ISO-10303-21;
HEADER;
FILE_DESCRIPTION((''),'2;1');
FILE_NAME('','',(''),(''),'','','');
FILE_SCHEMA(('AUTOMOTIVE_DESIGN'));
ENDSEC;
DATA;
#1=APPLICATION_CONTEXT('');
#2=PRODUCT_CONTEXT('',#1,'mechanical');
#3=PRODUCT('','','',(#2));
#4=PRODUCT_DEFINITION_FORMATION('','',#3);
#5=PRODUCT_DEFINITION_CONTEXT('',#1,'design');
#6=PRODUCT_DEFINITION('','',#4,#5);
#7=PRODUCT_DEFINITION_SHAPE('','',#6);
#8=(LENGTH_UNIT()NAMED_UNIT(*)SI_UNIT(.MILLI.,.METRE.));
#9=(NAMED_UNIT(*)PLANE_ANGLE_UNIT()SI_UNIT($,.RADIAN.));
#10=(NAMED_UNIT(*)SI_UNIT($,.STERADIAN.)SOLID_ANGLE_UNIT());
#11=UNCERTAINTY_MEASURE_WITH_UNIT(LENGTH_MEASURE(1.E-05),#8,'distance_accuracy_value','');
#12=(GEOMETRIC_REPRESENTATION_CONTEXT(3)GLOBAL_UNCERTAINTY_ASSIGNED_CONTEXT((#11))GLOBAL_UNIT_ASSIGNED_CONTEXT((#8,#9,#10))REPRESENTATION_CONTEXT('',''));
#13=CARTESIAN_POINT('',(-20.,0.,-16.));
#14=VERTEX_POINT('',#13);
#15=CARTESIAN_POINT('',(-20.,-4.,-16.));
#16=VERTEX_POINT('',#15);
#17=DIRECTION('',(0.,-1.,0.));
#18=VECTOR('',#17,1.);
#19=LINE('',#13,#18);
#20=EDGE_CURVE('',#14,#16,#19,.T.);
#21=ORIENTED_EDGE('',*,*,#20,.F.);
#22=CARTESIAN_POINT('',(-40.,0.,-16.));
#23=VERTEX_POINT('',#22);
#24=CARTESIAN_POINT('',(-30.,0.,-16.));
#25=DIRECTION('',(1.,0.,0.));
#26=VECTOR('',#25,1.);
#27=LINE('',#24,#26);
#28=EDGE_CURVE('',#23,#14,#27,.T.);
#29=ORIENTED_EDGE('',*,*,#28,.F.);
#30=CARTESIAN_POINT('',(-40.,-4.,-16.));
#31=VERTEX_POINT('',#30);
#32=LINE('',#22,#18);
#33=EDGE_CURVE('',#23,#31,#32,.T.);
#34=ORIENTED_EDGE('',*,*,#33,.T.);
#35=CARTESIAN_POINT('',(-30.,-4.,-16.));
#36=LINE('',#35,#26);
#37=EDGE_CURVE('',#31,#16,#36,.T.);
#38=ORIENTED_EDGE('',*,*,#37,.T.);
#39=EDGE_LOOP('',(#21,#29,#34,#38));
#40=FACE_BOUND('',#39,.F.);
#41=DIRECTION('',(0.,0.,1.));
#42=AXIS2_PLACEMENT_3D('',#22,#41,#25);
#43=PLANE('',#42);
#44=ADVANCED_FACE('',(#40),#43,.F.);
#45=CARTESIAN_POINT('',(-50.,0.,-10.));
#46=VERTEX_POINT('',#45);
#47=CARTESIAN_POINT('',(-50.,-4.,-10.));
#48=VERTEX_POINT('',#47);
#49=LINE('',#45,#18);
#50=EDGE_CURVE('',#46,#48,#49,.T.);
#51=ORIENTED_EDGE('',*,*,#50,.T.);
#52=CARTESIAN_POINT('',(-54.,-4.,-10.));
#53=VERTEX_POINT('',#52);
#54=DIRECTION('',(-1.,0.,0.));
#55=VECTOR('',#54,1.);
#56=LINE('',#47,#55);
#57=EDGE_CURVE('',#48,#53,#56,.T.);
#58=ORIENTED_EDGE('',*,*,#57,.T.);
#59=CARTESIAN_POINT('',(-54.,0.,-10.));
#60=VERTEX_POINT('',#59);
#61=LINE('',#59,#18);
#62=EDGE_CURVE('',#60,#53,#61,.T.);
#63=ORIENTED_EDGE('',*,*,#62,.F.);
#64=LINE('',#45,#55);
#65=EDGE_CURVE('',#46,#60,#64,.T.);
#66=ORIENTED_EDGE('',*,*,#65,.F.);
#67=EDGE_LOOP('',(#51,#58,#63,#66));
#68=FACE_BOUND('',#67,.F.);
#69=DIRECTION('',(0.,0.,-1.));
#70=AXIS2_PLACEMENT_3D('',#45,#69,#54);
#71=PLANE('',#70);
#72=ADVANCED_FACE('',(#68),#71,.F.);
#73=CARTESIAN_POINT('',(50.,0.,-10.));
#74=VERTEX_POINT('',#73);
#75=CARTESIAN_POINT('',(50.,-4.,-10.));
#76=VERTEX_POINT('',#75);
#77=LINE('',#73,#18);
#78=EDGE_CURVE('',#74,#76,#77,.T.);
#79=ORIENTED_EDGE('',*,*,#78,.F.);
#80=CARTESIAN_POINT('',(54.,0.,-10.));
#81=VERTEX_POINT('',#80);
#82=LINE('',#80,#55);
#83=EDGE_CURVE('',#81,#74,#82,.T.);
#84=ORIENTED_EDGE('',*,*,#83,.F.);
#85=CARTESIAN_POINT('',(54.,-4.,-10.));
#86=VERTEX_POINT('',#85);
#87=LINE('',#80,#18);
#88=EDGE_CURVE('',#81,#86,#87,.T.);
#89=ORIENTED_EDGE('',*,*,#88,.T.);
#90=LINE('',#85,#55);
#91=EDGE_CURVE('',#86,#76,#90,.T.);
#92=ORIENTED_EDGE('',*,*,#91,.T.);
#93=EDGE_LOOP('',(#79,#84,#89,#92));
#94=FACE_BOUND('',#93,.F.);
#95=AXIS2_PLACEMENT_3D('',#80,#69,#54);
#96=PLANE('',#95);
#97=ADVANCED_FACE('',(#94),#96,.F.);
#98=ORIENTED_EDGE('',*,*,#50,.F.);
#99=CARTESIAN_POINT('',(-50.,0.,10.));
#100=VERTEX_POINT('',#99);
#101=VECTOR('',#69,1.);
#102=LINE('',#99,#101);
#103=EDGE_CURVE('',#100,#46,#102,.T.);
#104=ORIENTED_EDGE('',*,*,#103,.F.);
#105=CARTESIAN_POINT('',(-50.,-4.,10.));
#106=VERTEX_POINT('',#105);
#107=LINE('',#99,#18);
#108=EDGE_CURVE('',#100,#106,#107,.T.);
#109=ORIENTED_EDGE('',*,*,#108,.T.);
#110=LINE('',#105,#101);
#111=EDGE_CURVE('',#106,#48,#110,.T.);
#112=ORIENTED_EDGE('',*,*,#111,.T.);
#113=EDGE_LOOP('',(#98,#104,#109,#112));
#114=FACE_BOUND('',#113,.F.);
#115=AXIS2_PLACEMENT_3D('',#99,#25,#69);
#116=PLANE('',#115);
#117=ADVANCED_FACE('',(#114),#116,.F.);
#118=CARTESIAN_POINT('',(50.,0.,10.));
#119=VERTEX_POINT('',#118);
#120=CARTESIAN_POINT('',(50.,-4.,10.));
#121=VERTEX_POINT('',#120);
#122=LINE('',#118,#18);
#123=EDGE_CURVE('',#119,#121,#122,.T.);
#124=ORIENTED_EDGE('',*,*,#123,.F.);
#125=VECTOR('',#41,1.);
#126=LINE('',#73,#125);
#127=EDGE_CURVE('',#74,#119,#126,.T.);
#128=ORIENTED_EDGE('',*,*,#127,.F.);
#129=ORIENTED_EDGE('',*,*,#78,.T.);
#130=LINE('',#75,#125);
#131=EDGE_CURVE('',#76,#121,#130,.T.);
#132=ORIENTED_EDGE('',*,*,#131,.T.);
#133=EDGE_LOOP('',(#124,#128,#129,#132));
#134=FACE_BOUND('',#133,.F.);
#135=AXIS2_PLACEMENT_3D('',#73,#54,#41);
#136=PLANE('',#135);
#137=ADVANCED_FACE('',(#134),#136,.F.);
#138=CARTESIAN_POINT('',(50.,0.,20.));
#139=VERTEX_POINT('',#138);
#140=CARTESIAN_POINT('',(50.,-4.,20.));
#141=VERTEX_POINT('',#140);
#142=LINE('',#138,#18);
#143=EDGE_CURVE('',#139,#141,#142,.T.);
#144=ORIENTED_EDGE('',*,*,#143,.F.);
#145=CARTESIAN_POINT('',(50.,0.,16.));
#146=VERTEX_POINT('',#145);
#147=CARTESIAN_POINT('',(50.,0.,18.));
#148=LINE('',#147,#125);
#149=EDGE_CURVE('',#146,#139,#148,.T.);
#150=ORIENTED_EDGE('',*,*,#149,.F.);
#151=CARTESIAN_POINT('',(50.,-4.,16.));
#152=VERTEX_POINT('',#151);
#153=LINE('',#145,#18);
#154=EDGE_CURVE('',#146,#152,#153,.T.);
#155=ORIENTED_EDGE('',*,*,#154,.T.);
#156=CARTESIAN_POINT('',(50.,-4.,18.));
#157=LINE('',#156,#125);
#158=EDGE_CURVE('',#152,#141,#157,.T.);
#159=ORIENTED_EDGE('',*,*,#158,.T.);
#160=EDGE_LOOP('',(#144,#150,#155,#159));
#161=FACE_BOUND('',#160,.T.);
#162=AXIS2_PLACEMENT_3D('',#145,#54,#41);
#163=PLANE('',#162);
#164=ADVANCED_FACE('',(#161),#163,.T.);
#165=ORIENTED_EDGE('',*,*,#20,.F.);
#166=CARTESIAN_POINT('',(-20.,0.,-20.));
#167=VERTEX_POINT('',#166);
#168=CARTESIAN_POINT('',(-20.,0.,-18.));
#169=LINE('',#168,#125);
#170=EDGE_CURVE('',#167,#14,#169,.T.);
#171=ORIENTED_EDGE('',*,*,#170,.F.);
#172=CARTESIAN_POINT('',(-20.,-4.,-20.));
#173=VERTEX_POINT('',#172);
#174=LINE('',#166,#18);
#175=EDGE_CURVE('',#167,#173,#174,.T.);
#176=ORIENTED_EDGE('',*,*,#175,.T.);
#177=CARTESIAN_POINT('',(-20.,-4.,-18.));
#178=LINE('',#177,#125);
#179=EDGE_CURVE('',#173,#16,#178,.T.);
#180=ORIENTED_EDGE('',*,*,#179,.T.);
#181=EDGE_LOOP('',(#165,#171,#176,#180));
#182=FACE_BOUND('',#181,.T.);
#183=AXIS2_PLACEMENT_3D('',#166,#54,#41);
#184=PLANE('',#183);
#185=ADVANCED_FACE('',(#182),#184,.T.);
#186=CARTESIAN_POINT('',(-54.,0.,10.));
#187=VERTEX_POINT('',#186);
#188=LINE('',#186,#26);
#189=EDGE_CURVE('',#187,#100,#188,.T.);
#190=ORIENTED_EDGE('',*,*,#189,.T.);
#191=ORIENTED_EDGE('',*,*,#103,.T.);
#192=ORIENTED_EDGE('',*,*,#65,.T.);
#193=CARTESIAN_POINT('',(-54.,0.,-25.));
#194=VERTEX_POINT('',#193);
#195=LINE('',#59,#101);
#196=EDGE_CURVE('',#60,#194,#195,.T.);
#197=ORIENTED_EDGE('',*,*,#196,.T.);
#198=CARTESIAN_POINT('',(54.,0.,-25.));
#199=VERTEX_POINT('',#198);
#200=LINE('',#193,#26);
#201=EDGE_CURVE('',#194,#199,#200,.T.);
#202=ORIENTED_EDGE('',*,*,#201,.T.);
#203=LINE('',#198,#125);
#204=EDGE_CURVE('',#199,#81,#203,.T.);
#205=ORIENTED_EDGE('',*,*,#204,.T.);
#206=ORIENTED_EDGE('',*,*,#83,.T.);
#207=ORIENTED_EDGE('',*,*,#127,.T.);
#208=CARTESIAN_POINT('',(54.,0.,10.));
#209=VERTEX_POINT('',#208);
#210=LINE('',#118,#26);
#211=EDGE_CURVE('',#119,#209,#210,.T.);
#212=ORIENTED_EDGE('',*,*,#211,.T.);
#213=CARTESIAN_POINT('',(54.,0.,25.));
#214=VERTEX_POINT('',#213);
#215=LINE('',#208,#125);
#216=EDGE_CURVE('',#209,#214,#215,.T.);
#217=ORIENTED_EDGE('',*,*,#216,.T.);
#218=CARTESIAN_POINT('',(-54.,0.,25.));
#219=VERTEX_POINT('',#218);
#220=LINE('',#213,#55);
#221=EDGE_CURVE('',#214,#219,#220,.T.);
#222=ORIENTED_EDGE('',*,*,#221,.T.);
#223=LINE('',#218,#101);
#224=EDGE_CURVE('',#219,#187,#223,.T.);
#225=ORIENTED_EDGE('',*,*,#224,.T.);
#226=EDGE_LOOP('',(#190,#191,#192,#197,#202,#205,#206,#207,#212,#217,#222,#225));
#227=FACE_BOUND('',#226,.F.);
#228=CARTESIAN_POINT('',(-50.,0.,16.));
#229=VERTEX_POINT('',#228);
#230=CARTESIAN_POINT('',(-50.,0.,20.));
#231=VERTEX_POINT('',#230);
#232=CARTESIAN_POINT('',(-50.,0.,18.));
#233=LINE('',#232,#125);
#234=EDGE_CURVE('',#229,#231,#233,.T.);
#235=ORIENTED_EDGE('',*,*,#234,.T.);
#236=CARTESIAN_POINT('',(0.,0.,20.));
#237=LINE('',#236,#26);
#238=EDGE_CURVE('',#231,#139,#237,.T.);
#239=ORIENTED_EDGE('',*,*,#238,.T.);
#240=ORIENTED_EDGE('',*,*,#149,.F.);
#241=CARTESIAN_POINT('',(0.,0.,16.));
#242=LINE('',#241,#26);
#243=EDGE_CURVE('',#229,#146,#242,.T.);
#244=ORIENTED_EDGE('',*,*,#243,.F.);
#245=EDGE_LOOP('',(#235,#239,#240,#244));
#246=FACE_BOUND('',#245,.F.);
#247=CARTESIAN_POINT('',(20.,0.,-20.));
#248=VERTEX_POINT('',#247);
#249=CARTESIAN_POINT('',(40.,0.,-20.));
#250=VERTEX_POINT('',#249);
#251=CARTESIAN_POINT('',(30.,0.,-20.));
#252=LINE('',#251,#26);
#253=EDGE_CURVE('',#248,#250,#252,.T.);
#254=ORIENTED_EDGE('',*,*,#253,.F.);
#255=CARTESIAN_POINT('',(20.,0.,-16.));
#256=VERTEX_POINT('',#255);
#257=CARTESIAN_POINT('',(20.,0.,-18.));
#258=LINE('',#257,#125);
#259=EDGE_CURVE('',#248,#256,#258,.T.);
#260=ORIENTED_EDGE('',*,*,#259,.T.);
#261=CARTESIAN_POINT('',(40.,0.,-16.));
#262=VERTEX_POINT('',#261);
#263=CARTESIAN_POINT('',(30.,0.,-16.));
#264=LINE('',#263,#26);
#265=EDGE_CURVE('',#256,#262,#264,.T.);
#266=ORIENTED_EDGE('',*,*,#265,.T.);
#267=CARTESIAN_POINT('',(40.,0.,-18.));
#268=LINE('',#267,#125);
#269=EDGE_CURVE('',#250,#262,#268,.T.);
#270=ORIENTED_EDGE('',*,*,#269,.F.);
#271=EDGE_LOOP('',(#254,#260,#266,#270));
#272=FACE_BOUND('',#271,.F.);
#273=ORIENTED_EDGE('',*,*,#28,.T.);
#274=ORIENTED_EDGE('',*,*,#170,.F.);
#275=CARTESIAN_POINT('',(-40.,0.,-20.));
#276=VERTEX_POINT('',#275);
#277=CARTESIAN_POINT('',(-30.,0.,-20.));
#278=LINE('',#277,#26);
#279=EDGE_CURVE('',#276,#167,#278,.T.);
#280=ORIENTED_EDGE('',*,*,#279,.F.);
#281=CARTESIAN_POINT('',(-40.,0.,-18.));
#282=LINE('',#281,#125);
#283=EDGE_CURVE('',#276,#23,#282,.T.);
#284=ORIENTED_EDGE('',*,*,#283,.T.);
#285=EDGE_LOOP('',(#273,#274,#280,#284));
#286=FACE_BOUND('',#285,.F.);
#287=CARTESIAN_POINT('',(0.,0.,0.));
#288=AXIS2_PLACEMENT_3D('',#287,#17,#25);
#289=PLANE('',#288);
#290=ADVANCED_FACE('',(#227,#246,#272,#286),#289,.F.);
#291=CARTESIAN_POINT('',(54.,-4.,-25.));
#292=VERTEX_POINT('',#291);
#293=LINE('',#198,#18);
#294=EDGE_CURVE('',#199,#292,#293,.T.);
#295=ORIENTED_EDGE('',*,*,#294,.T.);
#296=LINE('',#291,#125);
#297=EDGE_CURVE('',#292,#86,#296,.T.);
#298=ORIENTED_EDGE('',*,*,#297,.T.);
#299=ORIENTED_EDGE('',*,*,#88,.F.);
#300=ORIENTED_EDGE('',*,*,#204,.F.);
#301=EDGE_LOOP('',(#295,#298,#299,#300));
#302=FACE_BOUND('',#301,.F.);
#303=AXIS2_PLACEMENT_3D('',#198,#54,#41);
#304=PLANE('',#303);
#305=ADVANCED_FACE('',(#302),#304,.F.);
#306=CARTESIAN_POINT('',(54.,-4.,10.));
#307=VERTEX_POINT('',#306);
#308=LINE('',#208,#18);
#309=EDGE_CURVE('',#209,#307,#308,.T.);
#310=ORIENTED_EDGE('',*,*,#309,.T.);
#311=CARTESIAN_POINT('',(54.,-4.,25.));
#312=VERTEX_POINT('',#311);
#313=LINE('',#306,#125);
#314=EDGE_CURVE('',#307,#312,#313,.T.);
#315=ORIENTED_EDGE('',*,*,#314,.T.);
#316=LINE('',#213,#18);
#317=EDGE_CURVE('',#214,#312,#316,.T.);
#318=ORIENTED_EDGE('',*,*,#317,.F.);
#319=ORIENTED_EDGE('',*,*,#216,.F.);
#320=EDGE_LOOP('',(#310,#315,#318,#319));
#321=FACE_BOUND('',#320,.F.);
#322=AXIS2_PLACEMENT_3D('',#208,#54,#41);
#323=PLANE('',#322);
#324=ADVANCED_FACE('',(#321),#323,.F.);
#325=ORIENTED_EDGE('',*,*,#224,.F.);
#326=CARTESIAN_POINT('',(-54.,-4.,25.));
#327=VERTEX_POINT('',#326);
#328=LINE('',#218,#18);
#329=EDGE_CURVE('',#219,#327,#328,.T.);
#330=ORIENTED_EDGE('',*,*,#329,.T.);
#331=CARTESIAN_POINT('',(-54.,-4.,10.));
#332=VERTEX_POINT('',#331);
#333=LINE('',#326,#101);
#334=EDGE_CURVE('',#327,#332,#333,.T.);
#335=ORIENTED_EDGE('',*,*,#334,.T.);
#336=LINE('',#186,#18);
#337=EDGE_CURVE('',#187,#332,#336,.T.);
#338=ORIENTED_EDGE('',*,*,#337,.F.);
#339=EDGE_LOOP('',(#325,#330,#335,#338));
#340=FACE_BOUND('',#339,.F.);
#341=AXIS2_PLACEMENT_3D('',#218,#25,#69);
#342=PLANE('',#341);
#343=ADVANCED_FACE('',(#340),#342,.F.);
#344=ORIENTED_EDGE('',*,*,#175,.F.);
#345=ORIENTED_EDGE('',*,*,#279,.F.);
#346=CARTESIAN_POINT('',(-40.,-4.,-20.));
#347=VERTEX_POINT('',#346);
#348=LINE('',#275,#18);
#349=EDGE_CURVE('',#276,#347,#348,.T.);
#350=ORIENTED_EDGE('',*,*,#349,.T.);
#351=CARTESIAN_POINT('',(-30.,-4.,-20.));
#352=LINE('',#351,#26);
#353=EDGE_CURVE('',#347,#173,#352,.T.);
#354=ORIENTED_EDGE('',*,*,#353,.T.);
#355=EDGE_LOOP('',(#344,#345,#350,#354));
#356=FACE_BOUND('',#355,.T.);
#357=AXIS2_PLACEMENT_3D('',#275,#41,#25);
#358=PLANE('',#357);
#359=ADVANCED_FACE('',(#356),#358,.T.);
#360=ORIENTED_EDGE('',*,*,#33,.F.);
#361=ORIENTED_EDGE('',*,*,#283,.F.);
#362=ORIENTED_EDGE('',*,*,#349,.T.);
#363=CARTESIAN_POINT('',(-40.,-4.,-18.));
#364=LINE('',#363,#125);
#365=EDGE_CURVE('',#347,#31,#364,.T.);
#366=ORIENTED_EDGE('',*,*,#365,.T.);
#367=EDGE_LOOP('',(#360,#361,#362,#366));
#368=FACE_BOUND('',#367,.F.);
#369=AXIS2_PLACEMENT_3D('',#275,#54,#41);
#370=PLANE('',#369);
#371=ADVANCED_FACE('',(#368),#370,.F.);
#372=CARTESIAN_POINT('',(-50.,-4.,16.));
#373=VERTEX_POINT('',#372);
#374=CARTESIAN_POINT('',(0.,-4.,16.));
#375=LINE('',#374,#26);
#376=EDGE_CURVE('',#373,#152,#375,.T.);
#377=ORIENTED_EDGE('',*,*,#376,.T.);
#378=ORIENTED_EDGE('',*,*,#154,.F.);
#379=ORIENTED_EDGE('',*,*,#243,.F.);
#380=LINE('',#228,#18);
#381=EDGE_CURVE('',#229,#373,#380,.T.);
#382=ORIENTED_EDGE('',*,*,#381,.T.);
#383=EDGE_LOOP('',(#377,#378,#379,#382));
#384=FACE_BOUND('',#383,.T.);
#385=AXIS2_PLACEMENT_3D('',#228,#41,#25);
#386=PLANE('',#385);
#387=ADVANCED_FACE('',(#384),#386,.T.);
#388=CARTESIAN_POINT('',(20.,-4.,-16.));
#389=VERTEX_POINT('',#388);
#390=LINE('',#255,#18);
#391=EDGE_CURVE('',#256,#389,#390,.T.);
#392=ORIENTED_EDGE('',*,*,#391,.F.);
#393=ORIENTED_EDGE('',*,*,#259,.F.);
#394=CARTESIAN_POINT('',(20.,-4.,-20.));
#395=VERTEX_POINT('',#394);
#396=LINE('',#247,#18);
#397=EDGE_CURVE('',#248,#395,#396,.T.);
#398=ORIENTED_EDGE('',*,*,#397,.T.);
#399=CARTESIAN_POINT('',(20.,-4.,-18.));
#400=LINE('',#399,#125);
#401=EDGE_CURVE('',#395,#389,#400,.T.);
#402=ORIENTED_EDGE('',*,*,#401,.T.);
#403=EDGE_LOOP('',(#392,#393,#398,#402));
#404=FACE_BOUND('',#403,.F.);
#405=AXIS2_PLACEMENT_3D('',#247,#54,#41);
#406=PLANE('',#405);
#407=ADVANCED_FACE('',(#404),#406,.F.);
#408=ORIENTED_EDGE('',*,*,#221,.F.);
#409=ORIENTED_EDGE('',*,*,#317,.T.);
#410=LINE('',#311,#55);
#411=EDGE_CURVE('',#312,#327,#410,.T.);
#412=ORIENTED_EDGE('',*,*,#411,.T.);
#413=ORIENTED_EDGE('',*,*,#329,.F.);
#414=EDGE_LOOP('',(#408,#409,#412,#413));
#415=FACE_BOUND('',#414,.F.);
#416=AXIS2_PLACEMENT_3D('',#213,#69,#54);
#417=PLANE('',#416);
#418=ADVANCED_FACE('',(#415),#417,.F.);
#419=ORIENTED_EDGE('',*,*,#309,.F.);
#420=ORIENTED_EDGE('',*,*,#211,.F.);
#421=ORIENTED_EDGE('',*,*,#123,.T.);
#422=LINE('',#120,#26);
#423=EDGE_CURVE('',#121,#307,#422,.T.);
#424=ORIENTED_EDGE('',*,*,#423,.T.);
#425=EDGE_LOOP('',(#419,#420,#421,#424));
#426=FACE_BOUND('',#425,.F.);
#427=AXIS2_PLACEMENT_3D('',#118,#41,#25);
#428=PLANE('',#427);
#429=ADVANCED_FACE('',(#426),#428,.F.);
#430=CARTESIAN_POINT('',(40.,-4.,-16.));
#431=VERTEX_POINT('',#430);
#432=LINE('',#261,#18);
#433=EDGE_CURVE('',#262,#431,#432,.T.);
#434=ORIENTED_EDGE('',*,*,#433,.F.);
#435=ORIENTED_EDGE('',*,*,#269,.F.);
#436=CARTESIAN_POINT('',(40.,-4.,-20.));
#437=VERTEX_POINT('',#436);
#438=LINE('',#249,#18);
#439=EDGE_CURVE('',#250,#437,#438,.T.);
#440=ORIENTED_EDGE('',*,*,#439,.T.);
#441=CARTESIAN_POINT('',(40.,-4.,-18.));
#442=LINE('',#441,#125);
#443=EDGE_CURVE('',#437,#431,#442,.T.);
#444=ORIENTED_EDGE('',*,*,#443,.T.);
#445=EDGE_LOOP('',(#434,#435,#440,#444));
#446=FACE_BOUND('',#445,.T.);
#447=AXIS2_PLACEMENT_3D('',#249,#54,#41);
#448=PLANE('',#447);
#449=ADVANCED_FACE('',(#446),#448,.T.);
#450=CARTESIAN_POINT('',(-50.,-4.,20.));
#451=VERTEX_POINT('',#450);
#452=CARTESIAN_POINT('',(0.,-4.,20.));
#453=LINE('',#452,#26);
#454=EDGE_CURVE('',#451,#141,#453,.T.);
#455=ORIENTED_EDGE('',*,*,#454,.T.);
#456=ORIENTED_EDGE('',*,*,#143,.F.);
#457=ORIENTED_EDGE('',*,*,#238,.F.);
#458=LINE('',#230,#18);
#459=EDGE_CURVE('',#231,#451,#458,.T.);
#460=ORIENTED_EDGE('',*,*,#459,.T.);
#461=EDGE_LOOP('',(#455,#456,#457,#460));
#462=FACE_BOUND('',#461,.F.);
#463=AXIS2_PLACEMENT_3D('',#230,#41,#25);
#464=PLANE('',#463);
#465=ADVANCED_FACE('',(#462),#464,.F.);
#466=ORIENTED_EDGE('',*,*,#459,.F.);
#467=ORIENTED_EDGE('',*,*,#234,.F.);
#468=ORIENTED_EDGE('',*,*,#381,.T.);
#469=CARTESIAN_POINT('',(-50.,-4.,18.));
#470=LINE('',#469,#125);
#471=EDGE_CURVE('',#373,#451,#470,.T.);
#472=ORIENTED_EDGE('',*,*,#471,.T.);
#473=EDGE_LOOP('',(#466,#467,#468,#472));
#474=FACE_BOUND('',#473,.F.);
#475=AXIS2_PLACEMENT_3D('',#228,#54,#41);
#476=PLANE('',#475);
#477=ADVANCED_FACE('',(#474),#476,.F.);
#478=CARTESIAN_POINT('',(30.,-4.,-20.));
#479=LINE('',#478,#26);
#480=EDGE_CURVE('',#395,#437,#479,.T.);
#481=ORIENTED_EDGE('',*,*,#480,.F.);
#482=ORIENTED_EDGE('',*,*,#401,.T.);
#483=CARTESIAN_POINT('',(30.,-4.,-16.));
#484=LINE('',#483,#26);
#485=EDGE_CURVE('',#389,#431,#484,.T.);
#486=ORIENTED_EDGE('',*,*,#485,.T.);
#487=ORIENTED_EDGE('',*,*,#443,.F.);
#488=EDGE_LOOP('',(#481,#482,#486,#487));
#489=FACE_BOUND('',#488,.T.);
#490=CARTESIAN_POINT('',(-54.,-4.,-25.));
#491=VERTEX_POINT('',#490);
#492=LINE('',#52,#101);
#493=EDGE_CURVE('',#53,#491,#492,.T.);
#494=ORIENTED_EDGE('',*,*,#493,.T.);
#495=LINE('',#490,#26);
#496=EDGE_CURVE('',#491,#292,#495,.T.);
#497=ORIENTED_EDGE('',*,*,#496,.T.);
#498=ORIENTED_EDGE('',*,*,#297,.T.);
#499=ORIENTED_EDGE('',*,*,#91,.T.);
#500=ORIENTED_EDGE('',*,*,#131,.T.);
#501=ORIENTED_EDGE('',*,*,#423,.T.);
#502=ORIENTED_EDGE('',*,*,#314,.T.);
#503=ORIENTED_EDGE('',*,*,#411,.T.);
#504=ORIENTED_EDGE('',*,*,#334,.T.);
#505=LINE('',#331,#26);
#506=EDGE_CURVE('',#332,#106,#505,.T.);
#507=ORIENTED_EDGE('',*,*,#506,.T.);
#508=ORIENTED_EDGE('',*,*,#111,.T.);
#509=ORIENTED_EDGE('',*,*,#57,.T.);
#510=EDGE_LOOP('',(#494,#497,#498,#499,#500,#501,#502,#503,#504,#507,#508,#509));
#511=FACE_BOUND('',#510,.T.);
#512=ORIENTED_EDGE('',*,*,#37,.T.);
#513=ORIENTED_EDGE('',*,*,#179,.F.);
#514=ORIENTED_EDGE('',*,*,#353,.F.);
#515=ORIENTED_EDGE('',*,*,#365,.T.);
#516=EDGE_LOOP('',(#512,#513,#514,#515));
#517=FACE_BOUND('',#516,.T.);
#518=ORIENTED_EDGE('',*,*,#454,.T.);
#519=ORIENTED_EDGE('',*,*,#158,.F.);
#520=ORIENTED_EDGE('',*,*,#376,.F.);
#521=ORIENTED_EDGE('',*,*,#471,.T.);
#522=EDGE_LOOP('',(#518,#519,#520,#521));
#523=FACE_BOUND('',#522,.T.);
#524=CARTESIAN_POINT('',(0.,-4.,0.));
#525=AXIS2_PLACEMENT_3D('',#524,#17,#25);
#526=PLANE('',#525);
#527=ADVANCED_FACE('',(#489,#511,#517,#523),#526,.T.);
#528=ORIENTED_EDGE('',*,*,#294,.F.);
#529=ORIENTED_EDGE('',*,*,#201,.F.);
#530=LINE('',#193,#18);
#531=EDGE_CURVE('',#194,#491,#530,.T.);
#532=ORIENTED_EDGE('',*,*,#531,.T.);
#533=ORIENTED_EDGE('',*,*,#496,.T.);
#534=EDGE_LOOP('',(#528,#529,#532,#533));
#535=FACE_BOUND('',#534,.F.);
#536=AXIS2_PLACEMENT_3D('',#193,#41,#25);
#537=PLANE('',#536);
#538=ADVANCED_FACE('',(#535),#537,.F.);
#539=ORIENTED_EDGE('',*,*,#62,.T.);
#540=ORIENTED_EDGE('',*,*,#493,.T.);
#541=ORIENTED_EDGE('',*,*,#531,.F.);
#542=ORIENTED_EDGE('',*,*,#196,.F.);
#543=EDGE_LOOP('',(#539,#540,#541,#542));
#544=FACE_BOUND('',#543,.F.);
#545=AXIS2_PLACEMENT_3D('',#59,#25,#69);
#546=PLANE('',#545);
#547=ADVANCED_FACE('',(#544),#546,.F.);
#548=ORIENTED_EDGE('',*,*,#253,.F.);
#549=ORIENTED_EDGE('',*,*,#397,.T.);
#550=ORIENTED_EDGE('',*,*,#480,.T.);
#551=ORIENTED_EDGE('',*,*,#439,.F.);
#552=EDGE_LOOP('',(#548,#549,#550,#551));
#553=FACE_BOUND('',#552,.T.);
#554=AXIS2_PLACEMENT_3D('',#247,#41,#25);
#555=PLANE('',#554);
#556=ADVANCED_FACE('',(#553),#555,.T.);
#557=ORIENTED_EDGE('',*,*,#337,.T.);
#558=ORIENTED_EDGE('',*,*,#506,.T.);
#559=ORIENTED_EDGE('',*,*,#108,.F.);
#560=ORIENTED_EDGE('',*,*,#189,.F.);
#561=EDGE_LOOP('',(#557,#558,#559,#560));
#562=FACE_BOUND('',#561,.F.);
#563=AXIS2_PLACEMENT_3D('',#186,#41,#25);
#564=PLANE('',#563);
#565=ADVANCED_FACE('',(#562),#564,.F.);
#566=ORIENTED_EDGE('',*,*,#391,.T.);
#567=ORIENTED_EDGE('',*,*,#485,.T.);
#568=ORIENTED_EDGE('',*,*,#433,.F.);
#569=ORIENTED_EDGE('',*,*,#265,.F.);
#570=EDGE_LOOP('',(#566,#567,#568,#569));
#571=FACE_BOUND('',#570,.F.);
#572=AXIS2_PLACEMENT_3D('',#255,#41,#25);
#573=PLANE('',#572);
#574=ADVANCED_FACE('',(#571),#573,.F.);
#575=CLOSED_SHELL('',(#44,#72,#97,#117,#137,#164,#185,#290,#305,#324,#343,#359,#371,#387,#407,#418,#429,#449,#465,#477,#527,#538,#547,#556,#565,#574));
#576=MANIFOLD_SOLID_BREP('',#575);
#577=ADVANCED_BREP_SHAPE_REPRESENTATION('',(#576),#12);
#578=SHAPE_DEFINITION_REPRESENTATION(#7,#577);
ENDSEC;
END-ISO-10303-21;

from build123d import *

# Parameters (mm, degrees)
F0_W     = 20
F0_H     = 4
F0_W_2   = 100
F1_DEPTH = 4


with BuildPart() as f1:
    # F0 (on Front) → F1 (new body)
    with BuildSketch(Plane.XZ):
        Polygon((54, 10), (54, 25), (-54, 25), (-54, 10), (-50, 10), (-50, -10), (-54, -10), (-54, -25), (54, -25), (54, -10), (50, -10), (50, 10), align=None)
        with Locations((-30, -18)):
            Rectangle(F0_W, F0_H, mode=Mode.SUBTRACT)
        with Locations((30, -18)):
            Rectangle(F0_W, F0_H, mode=Mode.SUBTRACT)
        with Locations((0, 18)):
            Rectangle(F0_W_2, F0_H, mode=Mode.SUBTRACT)
    extrude(amount=F1_DEPTH)


solid = f1.part
